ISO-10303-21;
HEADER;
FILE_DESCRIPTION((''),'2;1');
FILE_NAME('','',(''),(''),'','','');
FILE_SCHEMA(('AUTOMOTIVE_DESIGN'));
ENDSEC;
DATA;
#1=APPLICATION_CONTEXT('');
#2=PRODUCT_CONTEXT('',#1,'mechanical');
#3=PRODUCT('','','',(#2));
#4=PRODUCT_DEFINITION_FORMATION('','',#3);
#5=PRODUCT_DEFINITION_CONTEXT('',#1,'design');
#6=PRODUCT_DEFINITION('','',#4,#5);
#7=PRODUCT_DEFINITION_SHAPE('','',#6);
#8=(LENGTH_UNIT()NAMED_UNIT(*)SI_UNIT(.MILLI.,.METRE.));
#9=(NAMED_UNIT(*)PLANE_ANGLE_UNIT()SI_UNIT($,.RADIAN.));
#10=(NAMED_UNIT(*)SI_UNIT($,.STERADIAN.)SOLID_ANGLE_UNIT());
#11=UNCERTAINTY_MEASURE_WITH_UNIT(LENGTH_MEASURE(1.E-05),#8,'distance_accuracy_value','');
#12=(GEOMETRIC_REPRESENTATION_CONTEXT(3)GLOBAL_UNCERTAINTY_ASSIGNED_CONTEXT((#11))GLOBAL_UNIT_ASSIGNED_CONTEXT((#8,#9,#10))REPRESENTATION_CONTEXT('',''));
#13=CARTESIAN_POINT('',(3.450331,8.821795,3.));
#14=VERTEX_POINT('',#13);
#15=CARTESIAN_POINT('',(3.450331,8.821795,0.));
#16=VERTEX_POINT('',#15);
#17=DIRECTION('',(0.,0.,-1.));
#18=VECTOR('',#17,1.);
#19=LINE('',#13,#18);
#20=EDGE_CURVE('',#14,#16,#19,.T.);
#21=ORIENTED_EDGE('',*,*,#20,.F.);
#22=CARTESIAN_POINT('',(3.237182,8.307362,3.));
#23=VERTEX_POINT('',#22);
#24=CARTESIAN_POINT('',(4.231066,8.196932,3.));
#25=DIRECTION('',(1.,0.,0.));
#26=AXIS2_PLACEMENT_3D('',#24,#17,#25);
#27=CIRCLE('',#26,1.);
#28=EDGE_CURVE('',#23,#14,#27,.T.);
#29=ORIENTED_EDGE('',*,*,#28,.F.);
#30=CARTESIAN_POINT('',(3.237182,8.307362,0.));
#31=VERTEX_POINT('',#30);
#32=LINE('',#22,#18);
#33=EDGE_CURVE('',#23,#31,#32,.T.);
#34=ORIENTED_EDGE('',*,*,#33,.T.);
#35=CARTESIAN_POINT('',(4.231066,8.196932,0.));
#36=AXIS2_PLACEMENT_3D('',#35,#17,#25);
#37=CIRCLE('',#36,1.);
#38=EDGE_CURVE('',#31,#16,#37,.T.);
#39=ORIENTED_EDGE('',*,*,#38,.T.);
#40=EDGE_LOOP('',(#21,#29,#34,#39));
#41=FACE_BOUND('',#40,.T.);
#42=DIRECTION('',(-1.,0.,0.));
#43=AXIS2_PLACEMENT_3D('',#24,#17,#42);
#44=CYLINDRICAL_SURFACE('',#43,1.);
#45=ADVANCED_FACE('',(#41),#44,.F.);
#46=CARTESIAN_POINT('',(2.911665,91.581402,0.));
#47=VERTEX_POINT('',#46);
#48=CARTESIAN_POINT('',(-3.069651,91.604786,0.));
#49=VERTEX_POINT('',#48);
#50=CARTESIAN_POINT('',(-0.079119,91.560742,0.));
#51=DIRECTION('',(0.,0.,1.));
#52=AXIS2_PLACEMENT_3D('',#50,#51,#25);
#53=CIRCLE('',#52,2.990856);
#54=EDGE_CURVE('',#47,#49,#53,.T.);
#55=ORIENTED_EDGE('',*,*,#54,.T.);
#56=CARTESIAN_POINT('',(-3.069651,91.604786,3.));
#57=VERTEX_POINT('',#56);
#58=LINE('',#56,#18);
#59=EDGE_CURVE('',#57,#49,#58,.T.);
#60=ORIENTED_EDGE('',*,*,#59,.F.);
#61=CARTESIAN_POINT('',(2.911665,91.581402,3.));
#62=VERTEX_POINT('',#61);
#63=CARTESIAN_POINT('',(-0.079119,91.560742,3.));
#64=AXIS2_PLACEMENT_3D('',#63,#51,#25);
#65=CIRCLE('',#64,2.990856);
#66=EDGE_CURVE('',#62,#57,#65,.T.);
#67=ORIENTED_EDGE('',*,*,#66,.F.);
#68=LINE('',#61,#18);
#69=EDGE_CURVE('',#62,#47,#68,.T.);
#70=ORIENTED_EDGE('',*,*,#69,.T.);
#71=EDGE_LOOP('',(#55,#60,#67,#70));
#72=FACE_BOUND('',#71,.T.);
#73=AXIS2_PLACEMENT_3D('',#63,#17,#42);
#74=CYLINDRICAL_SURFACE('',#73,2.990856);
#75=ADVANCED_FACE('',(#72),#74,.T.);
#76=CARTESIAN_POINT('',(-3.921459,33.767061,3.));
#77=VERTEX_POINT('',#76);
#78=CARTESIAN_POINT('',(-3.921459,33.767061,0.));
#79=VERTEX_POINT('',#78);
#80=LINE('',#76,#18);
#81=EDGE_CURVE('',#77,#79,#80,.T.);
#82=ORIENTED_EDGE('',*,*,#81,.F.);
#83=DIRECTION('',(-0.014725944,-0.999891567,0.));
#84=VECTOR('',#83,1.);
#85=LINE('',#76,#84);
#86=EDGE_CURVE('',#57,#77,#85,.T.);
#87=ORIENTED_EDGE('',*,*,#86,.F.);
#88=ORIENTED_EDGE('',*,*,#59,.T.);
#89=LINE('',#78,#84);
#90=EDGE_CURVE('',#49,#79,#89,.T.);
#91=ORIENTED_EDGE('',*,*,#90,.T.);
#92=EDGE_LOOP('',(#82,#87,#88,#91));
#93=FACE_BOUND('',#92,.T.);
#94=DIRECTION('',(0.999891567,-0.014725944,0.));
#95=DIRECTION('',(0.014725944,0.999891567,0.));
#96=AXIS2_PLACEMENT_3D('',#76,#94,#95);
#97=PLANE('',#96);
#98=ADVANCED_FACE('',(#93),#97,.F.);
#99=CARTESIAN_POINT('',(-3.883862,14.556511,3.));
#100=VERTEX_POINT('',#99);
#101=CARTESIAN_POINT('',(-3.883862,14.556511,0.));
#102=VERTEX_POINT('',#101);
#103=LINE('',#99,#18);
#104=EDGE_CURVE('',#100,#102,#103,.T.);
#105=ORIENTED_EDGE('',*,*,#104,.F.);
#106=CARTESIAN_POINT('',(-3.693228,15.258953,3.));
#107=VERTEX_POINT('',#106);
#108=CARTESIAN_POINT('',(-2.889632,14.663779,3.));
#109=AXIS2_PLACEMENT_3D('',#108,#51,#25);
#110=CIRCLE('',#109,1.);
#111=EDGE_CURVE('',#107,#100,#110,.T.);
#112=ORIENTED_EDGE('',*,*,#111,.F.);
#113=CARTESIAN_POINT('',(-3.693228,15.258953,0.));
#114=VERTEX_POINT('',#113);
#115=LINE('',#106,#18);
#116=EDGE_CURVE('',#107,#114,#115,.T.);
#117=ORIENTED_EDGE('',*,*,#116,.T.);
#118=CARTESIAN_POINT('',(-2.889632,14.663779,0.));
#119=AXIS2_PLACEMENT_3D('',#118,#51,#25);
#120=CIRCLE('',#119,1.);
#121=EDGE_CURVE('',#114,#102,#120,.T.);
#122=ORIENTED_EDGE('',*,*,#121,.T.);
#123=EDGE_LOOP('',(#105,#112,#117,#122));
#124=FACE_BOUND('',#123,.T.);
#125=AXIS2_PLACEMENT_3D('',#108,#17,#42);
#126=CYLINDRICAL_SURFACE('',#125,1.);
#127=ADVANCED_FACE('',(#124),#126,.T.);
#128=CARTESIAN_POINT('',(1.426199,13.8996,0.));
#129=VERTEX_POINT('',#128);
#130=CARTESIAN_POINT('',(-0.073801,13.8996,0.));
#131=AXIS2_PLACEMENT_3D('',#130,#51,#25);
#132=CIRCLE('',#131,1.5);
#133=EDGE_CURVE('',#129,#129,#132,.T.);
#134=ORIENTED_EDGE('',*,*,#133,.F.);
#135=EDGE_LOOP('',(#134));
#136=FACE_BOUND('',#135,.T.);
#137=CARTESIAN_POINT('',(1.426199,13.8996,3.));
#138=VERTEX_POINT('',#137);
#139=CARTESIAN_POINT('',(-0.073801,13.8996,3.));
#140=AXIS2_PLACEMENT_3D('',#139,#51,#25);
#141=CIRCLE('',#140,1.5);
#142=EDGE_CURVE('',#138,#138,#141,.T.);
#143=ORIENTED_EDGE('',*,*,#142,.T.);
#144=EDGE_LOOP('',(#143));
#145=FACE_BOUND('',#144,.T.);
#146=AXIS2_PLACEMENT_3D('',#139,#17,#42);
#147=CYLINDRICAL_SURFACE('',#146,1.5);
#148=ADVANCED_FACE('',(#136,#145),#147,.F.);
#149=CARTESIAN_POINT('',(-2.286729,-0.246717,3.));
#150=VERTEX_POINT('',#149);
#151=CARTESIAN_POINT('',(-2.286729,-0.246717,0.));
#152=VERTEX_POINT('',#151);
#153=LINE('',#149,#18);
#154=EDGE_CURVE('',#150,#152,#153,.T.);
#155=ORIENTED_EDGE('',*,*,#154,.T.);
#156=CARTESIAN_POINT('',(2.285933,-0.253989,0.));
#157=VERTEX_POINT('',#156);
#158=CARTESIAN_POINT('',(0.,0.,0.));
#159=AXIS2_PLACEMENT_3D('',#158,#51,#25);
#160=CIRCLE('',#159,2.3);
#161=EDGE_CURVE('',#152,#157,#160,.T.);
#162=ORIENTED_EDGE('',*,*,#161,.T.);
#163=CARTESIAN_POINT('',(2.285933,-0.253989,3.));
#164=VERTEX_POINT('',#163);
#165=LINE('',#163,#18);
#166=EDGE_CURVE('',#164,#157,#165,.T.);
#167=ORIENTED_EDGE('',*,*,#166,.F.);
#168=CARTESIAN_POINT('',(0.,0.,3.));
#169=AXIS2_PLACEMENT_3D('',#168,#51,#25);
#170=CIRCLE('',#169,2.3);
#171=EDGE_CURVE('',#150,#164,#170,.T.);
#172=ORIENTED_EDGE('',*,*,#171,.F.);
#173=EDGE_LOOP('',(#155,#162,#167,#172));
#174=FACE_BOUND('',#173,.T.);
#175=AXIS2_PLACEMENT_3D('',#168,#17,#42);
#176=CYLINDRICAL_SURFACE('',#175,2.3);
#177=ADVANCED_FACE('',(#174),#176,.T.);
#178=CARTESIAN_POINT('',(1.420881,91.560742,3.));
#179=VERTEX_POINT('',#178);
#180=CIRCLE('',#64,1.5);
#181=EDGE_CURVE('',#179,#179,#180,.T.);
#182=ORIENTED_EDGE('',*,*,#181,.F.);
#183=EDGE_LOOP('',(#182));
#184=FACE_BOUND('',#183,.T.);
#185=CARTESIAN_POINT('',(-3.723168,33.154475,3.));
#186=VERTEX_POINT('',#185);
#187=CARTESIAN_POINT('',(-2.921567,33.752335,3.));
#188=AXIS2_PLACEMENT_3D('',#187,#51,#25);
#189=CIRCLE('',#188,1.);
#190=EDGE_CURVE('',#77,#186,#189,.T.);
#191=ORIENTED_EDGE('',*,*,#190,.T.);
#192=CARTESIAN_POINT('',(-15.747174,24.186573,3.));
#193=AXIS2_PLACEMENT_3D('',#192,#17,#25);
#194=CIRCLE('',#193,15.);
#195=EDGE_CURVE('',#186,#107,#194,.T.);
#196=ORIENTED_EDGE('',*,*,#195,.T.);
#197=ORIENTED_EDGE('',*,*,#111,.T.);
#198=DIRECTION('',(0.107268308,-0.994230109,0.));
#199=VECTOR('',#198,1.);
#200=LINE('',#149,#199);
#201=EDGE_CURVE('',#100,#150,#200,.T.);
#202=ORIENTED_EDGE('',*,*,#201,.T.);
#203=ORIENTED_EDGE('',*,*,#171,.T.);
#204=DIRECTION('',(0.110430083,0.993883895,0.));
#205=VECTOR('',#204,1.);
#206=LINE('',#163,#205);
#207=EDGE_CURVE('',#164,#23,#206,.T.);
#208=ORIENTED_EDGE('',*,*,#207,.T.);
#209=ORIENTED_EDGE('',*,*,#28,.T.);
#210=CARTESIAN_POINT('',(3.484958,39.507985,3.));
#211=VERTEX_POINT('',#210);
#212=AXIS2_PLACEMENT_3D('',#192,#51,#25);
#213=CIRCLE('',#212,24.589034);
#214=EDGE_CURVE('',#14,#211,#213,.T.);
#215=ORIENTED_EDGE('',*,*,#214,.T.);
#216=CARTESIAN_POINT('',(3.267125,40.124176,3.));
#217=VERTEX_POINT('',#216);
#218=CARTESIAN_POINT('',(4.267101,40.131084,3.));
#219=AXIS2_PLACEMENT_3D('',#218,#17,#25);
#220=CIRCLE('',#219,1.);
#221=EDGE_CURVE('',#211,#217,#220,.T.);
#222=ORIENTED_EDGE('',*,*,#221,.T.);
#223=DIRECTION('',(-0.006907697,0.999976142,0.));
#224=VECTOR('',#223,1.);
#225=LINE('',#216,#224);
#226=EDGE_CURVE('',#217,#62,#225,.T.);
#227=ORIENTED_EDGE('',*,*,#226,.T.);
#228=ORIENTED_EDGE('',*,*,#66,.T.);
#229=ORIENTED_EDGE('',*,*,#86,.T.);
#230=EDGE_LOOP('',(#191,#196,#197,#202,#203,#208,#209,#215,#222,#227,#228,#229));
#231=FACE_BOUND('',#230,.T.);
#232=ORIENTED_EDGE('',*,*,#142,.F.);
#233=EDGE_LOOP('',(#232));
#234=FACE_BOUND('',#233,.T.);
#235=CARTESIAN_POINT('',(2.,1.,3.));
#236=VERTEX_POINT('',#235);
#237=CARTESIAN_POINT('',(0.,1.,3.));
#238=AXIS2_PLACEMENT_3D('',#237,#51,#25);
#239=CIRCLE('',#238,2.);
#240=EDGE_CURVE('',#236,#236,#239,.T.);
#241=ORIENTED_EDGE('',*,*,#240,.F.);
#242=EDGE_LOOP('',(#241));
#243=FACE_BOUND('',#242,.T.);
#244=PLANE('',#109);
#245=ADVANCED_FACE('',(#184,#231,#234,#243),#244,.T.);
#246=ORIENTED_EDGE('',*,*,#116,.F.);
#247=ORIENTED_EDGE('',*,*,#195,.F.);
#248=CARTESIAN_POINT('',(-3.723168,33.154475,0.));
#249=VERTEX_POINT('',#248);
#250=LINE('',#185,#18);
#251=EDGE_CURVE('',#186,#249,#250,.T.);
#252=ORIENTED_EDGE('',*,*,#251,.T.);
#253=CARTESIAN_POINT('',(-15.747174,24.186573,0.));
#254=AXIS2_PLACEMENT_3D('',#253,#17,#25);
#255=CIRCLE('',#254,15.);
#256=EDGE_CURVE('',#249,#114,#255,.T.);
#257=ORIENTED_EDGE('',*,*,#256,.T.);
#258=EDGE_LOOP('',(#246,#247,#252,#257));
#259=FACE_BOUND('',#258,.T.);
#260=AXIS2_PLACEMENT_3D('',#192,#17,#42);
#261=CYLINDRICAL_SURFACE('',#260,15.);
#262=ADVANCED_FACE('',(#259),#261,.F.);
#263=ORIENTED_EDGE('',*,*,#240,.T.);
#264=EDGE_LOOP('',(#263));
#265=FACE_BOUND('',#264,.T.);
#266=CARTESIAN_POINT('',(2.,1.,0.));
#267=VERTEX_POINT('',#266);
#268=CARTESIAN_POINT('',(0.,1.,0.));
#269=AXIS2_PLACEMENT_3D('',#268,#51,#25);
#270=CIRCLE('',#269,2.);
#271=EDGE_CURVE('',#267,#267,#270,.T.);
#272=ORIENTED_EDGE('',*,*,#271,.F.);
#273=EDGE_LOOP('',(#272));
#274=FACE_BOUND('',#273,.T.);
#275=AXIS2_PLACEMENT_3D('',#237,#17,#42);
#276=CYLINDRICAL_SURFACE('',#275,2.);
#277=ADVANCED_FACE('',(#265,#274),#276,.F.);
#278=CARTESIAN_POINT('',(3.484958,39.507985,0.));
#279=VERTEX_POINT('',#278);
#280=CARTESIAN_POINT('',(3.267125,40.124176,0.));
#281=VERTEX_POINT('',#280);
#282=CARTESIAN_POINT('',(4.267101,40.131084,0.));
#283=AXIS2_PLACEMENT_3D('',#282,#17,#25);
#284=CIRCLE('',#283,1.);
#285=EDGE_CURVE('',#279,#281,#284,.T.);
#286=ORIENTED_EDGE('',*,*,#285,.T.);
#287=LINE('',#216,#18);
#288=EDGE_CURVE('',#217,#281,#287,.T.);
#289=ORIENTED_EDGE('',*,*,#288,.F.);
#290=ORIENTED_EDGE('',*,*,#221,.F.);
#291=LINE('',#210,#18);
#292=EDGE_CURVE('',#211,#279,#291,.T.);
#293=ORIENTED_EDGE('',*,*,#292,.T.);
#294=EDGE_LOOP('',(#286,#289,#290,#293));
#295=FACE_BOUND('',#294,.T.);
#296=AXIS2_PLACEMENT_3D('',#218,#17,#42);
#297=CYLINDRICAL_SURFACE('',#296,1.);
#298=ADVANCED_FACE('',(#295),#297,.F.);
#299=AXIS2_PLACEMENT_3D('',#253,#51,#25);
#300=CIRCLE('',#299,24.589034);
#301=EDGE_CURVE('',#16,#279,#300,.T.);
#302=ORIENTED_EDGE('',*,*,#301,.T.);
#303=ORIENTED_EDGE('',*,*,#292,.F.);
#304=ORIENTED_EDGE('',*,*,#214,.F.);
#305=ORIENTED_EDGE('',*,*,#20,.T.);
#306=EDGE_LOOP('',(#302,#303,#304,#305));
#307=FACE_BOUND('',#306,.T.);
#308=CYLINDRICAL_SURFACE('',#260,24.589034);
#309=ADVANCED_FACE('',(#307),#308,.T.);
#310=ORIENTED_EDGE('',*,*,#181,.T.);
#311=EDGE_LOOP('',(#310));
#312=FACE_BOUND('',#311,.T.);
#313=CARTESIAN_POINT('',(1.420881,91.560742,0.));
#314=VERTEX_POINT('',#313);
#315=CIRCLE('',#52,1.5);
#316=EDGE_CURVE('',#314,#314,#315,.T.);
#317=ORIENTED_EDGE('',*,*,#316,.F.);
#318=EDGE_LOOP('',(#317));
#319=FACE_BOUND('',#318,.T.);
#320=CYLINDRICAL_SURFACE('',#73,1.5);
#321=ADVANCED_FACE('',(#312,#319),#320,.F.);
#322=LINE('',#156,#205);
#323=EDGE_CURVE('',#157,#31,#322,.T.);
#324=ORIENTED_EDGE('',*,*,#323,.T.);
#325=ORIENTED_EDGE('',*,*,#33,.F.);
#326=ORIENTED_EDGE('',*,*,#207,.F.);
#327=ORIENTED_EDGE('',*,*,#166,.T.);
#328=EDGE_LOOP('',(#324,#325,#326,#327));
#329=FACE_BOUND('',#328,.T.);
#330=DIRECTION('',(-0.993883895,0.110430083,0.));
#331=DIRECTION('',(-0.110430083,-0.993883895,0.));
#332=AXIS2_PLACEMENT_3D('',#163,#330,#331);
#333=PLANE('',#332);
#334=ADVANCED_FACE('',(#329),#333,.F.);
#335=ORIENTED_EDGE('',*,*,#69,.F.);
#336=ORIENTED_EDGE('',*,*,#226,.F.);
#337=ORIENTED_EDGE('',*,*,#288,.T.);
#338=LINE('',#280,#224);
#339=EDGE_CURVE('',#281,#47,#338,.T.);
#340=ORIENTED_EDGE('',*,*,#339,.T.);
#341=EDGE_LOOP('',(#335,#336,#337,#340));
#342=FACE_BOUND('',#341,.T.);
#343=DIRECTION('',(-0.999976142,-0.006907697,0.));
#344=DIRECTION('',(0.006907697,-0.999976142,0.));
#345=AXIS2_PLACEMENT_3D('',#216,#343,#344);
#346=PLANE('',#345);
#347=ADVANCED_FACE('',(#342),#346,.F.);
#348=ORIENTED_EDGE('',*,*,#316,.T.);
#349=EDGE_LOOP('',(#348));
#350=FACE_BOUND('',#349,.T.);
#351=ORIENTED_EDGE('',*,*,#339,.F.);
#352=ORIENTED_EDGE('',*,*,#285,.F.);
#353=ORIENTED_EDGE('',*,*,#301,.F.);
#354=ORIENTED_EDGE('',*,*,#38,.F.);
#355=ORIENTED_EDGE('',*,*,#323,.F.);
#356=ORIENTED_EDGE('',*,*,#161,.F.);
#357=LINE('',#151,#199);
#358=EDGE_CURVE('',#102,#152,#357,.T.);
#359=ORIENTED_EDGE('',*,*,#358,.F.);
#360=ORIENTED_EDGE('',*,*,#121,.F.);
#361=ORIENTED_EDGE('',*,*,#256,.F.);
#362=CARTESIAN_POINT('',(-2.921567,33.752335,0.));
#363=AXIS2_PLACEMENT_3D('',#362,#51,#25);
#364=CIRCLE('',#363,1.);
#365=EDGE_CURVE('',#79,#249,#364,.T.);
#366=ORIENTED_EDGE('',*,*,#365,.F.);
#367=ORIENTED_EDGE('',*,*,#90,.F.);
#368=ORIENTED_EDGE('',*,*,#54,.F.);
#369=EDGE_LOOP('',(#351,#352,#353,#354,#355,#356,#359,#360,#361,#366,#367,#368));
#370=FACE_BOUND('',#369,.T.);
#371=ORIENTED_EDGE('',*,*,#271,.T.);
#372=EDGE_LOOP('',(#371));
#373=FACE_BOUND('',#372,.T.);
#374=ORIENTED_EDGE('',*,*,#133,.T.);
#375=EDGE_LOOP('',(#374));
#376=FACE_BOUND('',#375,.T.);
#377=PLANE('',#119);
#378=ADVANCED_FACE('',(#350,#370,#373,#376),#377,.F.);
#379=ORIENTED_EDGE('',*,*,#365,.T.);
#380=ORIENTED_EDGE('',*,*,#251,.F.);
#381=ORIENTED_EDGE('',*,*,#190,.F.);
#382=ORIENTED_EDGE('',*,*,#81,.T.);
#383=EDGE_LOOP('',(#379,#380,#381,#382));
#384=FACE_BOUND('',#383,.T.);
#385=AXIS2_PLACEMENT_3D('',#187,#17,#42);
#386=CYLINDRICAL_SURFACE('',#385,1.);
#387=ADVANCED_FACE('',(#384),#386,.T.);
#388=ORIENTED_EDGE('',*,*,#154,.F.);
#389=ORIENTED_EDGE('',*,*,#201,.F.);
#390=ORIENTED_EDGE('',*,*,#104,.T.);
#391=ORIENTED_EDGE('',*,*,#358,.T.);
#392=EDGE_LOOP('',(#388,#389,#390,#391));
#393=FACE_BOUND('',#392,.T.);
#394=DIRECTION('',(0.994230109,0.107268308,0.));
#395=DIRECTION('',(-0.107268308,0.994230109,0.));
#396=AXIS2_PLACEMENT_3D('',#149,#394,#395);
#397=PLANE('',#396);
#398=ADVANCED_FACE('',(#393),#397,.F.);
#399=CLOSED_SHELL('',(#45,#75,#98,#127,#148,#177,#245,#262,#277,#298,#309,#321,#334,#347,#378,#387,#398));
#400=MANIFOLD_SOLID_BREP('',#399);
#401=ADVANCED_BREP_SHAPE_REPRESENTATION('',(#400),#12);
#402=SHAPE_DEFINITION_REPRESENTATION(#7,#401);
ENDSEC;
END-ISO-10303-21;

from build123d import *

# Parameters (mm, degrees)
SKETCH_1_R      = 1.5
SKETCH_1_R_2    = 2
EXTRUDE_1_DEPTH = 3


with BuildPart() as part:
    # 草图1 → 凸台-拉伸1 (new body)
    with BuildSketch(Plane.XY):
        with BuildLine():
            Line((-2.286729251, -0.246717108), (-3.883861716, 14.556510567))
            ThreePointArc((-3.883861716, 14.556510567), (-3.854723084, 14.925691914), (-3.693228018, 15.258953478))
            ThreePointArc((-3.693228018, 15.258953478), (-0.747195178, 24.211667814), (-3.723167614, 33.154474505))
            ThreePointArc((-3.723167614, 33.154474505), (-3.872965508, 33.444371631), (-3.921458744, 33.767060581))
            Line((-3.921458744, 33.767060581), (-3.069651306, 91.604785634))
            ThreePointArc((-3.069651306, 91.604785634), (-0.067427131, 94.551575772), (2.911665375, 91.581402384))
            Line((2.911665375, 91.581402384), (3.267124799, 40.124176415))
            ThreePointArc((3.267124799, 40.124176415), (3.324280751, 39.797782311), (3.484958279, 39.507984717))
            ThreePointArc((3.484958279, 39.507984717), (8.841844113, 24.158825584), (3.450331122, 8.821795246))
            ThreePointArc((3.450331122, 8.821795246), (3.307226898, 8.579714374), (3.237181652, 8.307362338))
            Line((3.237181652, 8.307362338), (2.285932959, -0.25398919))
            ThreePointArc((2.285932959, -0.25398919), (-0.003657774, -2.299997091), (-2.286729251, -0.246717108))
        make_face()
        with Locations((-0.07911944, 91.560742455)):
            Circle(SKETCH_1_R, mode=Mode.SUBTRACT)
        with Locations((-0.073800571, 13.899599644)):
            Circle(SKETCH_1_R, mode=Mode.SUBTRACT)
        with Locations((0, 1)):
            Circle(SKETCH_1_R_2, mode=Mode.SUBTRACT)
    extrude(amount=EXTRUDE_1_DEPTH)


solid = part.part
